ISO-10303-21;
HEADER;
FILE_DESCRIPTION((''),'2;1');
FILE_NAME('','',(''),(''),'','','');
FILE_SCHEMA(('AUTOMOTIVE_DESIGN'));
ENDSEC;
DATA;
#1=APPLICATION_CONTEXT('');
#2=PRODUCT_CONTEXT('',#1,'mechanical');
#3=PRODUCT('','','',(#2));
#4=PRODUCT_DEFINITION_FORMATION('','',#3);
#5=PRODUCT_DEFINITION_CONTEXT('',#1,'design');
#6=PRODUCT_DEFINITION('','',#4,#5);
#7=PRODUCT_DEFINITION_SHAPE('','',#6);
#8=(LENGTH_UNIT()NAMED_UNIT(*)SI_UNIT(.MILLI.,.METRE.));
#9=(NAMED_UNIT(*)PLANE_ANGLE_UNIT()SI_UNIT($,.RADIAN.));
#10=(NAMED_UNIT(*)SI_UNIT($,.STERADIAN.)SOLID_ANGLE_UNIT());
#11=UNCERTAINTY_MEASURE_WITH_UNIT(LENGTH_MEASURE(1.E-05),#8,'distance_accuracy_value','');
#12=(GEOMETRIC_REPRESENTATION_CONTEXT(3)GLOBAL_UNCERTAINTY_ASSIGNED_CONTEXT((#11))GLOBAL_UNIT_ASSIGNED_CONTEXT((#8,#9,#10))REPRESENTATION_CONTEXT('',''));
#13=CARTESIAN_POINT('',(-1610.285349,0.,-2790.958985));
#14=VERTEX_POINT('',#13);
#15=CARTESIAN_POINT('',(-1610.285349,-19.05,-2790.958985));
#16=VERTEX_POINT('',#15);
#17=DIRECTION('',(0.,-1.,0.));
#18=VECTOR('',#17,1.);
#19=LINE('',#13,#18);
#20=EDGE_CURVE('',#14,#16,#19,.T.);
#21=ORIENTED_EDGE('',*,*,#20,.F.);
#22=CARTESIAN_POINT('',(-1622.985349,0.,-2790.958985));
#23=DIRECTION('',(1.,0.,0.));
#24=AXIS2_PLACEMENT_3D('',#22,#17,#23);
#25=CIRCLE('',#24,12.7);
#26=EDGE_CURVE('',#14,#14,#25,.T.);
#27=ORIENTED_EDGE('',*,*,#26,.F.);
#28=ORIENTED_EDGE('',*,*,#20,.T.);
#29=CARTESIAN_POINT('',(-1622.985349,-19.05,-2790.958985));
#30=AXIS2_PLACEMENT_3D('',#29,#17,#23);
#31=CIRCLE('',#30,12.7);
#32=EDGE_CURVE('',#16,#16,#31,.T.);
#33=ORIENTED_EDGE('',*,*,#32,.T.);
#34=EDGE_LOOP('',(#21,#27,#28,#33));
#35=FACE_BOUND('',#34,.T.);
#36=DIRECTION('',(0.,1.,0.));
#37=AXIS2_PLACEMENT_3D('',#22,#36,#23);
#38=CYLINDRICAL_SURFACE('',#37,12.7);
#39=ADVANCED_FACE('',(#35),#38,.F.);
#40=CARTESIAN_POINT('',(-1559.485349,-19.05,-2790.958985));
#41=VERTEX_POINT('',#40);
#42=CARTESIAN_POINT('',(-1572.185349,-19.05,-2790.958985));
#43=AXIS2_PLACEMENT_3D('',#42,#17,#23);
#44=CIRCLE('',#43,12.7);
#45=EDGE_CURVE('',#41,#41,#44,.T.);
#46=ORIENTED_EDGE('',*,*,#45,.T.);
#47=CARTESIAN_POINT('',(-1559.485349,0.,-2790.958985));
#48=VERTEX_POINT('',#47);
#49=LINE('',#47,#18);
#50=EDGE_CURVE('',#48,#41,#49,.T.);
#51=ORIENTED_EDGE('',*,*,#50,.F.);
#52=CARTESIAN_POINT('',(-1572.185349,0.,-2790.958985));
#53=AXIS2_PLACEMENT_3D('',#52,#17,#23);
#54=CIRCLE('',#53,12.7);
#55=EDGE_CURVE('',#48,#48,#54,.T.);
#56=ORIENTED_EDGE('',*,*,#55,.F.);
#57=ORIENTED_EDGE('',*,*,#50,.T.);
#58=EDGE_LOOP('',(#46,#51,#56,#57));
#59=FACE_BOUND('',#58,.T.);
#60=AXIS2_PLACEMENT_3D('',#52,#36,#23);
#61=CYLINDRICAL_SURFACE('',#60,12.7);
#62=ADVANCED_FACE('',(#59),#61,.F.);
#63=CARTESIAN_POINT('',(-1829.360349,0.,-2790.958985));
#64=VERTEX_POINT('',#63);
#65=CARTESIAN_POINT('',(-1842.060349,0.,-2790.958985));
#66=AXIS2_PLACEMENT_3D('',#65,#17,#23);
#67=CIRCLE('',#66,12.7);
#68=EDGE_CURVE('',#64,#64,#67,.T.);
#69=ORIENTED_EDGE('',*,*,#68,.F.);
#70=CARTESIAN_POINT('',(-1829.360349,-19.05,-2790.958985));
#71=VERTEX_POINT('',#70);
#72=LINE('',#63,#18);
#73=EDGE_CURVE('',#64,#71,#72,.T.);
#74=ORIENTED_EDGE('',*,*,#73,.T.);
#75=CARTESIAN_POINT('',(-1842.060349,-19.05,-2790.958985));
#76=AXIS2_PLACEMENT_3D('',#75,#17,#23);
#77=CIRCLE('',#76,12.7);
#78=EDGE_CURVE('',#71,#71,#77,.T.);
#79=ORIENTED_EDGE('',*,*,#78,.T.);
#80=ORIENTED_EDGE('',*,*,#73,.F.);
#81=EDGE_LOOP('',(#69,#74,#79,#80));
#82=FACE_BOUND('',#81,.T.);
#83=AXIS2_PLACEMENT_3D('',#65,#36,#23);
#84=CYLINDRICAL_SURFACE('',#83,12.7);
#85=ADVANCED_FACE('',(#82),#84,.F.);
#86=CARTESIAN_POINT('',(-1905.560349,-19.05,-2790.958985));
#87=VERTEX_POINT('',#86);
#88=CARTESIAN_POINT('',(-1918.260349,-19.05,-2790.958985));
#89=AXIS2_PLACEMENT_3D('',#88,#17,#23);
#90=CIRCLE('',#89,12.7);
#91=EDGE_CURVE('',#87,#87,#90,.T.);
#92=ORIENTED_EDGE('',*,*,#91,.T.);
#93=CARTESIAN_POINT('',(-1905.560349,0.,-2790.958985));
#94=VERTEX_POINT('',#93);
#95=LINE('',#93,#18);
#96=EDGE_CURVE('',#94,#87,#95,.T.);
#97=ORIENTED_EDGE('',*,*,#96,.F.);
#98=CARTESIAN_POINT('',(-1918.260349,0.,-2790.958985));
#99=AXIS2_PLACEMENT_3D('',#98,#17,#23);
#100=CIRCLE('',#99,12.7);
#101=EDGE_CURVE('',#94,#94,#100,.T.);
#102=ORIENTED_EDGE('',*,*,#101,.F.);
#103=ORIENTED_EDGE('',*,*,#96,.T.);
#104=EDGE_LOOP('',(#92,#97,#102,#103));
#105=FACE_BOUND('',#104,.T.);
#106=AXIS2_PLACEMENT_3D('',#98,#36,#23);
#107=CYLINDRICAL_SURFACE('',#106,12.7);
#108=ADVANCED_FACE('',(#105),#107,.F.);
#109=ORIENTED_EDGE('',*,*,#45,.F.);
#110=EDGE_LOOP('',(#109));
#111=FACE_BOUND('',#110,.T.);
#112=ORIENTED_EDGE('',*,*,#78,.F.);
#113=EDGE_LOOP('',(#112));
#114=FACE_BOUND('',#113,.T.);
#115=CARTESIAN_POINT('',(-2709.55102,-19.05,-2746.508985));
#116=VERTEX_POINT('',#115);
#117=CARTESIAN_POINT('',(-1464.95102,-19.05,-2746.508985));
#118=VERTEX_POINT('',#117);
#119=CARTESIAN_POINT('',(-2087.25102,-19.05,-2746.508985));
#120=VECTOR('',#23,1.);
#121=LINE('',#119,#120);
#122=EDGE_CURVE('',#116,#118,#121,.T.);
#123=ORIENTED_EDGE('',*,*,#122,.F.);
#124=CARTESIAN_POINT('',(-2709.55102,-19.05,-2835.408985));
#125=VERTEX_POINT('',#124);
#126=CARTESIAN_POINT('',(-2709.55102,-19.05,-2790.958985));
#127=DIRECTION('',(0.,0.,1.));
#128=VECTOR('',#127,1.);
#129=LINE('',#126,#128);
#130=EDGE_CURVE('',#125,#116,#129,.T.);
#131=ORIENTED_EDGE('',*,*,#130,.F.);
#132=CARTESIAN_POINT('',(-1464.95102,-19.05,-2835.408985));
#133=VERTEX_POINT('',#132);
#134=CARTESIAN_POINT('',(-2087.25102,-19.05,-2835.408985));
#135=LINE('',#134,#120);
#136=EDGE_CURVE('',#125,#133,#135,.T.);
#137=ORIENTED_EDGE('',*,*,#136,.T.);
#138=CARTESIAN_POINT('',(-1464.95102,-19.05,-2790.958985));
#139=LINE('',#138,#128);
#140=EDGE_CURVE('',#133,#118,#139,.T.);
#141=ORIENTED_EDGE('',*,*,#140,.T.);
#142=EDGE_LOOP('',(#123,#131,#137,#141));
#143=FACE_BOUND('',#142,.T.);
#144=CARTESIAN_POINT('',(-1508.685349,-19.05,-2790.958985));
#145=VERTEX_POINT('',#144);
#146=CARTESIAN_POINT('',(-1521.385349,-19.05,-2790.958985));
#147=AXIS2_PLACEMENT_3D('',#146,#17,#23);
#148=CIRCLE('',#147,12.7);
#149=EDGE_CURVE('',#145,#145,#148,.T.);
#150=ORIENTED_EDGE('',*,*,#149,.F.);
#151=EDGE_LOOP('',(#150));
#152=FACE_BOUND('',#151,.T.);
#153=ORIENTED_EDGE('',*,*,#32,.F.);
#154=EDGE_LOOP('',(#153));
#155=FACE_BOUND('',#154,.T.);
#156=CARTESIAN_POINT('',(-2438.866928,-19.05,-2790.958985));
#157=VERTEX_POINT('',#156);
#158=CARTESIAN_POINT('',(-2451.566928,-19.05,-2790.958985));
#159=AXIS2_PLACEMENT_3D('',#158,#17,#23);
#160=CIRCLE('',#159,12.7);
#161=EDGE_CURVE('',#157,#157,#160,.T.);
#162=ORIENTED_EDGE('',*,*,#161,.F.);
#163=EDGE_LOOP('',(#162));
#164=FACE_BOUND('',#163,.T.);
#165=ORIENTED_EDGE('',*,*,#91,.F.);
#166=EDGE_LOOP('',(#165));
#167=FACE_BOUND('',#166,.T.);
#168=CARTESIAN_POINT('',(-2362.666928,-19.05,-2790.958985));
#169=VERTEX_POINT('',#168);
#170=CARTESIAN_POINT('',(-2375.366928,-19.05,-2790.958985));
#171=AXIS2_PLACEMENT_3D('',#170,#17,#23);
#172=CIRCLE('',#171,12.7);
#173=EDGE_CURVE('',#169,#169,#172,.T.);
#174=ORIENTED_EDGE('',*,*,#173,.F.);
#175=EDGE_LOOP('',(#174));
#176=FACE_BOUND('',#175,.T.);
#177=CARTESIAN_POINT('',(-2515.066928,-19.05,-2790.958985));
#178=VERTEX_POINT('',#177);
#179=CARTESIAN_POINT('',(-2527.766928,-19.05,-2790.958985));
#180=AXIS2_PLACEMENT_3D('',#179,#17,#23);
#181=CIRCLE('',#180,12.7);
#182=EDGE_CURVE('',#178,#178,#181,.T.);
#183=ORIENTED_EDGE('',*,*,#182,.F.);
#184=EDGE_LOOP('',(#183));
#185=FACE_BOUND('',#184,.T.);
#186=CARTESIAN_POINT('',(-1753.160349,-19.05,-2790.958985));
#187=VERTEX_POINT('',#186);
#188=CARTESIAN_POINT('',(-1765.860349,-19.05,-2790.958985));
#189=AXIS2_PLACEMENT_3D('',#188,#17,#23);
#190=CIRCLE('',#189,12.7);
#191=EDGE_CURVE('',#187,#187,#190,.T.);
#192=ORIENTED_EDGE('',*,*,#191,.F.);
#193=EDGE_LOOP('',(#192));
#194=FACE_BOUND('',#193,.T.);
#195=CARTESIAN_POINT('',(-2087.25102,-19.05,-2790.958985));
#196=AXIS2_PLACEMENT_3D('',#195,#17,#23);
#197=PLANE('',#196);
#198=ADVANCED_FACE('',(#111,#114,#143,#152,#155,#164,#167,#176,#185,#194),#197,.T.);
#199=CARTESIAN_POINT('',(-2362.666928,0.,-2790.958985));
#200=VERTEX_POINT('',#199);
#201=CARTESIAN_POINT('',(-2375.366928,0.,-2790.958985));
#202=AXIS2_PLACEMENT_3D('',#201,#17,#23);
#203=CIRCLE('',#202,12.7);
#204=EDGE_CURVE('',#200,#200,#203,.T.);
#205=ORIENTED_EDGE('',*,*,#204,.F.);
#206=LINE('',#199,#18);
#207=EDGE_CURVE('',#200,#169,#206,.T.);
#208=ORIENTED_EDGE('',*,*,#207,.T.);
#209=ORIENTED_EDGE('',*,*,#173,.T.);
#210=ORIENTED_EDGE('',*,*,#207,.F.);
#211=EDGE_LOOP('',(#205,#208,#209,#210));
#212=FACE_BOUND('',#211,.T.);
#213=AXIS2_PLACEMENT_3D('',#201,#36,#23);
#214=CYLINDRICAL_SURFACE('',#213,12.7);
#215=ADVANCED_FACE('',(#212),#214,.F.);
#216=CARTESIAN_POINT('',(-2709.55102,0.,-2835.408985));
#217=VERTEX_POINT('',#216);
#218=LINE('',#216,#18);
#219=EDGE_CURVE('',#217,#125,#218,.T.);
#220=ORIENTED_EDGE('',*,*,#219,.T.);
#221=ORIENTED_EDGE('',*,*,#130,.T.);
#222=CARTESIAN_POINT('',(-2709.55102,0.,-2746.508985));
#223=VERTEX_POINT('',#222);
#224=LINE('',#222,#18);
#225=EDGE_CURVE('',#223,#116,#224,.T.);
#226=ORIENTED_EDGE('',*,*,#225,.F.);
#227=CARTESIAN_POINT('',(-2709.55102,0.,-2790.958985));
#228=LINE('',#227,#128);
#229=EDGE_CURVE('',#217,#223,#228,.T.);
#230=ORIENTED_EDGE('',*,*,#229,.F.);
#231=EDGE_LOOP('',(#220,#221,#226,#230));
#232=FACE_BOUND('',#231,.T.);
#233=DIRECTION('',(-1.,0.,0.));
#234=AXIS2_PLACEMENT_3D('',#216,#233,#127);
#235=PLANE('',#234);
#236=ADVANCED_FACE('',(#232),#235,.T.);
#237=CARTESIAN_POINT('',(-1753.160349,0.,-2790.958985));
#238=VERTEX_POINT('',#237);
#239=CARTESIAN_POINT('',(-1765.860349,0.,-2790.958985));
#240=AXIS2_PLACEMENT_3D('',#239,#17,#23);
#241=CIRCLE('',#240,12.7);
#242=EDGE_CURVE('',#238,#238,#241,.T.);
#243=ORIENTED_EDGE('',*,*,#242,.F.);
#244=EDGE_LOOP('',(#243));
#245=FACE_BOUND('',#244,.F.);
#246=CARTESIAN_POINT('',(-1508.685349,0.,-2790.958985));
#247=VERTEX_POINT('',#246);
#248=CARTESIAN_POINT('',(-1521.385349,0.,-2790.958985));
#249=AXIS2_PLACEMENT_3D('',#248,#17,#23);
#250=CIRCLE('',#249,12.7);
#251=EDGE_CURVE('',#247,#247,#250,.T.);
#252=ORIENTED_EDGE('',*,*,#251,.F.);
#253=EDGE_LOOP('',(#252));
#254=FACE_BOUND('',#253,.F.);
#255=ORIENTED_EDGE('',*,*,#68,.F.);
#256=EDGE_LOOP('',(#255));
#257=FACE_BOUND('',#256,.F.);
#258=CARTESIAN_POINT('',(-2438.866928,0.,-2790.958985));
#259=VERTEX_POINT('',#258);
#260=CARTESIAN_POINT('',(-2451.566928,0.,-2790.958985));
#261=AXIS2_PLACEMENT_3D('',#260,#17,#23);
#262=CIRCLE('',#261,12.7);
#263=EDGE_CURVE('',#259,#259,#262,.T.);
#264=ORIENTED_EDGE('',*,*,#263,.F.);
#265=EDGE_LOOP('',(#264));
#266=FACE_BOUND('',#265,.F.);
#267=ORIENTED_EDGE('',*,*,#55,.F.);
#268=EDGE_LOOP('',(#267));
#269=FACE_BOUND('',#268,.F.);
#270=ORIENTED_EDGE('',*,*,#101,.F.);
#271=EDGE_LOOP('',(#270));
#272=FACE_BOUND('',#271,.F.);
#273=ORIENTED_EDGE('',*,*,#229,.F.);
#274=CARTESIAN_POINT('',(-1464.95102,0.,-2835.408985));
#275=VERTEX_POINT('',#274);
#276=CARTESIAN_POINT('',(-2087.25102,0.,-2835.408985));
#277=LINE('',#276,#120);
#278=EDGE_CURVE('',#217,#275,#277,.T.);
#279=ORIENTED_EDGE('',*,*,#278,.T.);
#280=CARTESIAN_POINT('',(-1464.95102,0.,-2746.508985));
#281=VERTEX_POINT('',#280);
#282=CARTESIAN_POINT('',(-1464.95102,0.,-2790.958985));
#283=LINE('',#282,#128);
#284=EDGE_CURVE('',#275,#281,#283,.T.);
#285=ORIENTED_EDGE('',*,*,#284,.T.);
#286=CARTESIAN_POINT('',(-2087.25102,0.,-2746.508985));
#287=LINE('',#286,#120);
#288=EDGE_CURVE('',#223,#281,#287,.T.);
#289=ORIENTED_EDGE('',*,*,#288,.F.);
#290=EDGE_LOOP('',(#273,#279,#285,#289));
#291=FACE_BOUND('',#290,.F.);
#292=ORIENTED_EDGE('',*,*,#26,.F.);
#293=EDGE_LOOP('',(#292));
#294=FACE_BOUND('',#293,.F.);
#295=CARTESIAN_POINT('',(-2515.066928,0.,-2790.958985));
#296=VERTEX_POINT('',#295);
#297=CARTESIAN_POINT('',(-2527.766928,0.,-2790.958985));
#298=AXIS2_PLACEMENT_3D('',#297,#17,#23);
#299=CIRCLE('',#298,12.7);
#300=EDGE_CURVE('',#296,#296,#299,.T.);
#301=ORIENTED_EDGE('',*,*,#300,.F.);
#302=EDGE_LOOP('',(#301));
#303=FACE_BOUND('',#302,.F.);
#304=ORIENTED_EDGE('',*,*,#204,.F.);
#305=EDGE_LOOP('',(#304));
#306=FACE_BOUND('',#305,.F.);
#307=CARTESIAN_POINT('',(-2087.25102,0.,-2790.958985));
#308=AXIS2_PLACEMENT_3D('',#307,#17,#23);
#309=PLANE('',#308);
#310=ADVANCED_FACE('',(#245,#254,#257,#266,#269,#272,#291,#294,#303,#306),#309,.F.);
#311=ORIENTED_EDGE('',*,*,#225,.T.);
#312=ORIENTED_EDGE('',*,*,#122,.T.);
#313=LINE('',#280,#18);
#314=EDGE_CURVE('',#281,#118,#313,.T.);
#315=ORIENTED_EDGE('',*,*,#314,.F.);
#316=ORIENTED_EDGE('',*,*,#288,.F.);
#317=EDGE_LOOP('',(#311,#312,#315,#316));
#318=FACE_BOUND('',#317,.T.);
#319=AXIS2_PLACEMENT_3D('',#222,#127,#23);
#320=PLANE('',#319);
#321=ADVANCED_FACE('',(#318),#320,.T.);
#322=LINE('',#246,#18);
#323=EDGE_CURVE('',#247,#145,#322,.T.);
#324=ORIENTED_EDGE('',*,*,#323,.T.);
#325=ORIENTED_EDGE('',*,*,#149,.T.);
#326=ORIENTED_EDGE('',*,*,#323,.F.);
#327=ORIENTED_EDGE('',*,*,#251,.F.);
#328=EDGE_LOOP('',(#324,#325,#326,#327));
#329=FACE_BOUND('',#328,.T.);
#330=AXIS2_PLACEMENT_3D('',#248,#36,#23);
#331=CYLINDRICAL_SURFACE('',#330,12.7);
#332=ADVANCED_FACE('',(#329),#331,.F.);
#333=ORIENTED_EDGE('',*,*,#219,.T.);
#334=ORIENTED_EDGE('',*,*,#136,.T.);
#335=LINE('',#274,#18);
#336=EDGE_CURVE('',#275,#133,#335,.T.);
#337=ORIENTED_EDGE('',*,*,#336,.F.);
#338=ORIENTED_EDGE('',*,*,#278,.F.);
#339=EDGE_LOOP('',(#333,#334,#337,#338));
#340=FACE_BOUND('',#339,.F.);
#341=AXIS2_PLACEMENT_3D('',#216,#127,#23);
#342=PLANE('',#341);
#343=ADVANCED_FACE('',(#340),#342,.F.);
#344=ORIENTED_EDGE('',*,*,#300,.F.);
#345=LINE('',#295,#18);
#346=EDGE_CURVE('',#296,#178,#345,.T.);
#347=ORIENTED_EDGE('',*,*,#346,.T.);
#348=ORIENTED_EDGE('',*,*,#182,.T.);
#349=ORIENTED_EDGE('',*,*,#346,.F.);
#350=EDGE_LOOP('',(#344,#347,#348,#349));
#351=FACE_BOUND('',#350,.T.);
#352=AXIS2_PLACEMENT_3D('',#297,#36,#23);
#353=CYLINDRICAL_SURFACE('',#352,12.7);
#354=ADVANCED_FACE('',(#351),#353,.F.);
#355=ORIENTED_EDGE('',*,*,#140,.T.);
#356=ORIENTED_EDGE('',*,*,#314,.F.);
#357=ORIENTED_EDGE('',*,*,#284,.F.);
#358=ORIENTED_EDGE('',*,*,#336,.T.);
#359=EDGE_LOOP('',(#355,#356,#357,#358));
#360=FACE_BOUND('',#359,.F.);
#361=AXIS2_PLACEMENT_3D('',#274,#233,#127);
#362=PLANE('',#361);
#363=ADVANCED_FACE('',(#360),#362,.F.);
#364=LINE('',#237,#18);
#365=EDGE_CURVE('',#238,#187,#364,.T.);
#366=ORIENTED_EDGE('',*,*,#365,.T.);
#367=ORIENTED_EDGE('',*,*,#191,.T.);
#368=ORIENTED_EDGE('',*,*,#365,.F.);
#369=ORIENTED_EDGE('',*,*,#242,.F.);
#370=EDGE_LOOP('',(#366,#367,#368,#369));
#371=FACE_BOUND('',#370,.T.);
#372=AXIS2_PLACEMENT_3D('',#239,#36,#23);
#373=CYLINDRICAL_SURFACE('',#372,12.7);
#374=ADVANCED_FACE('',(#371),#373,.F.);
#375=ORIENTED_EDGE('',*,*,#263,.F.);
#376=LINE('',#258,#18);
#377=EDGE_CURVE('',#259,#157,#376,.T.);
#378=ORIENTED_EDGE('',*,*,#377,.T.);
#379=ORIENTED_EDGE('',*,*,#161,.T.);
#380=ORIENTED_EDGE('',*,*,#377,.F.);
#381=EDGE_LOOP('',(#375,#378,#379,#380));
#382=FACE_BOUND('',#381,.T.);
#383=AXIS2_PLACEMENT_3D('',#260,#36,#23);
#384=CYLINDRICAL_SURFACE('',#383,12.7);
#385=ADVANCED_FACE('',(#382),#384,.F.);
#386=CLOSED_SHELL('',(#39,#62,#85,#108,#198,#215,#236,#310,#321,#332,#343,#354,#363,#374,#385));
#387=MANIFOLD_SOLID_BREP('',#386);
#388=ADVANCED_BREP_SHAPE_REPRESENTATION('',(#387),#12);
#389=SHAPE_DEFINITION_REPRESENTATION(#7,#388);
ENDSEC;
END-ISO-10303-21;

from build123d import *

# Parameters (mm, degrees)
F0_W     = 1244.6
F0_H     = 88.9
F0_R     = 12.7
F1_DEPTH = 19.05


with BuildPart() as f1:
    # F0 (on Front) → F1 (new body)
    with BuildSketch(Plane.XZ):
        with Locations((-2087.25102, -2790.958985)):
            Rectangle(F0_W, F0_H)
        with Locations((-2527.766928, -2790.958985)):
            Circle(F0_R, mode=Mode.SUBTRACT)
        with Locations((-2451.566928, -2790.958985)):
            Circle(F0_R, mode=Mode.SUBTRACT)
        with Locations((-2375.366928, -2790.958985)):
            Circle(F0_R, mode=Mode.SUBTRACT)
        with Locations((-1918.260349, -2790.958985)):
            Circle(F0_R, mode=Mode.SUBTRACT)
        with Locations((-1842.060349, -2790.958985)):
            Circle(F0_R, mode=Mode.SUBTRACT)
        with Locations((-1765.860349, -2790.958985)):
            Circle(F0_R, mode=Mode.SUBTRACT)
        with Locations((-1622.985349, -2790.958985)):
            Circle(F0_R, mode=Mode.SUBTRACT)
        with Locations((-1572.185349, -2790.958985)):
            Circle(F0_R, mode=Mode.SUBTRACT)
        with Locations((-1521.385349, -2790.958985)):
            Circle(F0_R, mode=Mode.SUBTRACT)
    extrude(amount=F1_DEPTH)


solid = f1.part
